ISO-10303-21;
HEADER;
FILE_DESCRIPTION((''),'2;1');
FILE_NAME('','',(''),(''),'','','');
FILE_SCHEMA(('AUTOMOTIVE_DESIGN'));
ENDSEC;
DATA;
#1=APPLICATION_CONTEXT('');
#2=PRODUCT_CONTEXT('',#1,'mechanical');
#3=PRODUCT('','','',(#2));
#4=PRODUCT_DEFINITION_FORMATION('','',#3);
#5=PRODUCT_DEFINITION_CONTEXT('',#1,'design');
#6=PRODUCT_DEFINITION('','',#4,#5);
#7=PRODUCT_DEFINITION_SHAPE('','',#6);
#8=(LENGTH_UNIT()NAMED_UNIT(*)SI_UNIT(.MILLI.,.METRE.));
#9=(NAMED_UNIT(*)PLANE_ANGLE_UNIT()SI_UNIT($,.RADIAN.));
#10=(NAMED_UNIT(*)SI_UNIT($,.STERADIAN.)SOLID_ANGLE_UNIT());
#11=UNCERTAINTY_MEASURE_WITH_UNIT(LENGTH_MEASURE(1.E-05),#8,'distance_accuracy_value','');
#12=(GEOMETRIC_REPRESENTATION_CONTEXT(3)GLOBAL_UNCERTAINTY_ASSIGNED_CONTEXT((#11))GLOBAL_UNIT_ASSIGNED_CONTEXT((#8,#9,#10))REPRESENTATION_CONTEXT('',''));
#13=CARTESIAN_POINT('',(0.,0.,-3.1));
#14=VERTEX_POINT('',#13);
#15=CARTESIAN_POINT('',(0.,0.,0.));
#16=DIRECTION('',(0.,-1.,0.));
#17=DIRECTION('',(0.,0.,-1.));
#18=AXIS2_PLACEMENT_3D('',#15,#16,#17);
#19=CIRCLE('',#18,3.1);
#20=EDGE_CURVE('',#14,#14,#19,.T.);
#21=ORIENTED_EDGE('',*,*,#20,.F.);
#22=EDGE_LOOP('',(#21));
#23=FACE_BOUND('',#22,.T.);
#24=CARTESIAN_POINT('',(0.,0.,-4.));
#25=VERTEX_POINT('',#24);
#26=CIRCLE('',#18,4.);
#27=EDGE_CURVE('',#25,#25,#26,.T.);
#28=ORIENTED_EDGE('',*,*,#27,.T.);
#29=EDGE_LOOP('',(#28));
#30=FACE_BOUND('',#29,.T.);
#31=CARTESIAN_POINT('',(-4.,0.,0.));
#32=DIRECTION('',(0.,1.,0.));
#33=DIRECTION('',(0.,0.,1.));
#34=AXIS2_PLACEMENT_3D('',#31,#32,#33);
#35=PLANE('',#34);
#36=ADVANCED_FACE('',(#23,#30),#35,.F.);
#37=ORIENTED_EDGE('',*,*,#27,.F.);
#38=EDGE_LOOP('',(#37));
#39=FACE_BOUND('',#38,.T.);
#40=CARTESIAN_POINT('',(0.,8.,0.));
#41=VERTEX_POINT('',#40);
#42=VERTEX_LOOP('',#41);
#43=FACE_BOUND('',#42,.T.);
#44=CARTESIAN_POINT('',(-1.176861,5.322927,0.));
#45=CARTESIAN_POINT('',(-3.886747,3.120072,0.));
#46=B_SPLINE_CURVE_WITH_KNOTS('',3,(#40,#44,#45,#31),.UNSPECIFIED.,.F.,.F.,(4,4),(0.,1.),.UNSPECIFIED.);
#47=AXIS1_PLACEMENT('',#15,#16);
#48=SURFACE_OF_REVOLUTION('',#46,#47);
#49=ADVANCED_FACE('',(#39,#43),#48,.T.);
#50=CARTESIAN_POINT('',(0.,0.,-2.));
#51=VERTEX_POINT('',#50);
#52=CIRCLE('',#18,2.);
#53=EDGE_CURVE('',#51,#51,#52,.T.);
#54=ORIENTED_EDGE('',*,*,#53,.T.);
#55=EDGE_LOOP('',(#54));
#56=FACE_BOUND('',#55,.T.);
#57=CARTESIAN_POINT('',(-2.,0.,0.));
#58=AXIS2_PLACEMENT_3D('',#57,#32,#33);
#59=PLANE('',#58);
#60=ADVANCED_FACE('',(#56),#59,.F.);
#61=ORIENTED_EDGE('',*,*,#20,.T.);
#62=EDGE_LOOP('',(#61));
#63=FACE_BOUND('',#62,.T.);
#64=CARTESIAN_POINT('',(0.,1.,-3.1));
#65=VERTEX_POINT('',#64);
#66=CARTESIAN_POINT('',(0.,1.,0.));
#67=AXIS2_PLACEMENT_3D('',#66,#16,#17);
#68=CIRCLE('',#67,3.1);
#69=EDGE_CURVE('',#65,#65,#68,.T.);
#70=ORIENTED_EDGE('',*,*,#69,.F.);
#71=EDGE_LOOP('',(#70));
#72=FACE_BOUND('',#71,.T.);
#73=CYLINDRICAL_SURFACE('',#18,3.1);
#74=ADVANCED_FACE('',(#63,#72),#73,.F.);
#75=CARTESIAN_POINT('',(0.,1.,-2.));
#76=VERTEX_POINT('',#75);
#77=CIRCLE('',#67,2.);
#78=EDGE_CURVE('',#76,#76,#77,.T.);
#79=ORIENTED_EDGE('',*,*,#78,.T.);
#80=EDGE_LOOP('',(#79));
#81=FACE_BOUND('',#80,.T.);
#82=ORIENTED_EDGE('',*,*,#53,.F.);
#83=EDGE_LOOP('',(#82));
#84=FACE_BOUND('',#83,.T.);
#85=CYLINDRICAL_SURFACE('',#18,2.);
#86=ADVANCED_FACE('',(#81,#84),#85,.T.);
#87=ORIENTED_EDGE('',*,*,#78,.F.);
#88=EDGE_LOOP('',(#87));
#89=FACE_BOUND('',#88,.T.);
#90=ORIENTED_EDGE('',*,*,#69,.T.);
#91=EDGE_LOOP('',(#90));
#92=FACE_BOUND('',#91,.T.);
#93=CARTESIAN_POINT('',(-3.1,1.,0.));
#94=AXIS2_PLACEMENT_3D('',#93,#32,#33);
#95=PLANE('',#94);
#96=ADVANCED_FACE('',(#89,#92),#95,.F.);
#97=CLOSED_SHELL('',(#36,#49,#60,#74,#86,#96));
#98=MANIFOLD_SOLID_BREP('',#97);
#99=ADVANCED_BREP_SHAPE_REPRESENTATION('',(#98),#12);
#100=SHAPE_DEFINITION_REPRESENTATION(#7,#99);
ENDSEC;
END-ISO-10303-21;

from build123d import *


with BuildPart() as part:
    # Sketch1 → Revolve1 (revolve)
    with BuildSketch(Plane.XY, mode=Mode.PRIVATE) as revolve1_sk:
        with BuildLine():
            Line((-4, 0), (-3.1, 0))
            Line((-3.1, 0), (-3.1, 1))
            Line((-3.1, 1), (-2, 1))
            Line((-2, 1), (-2, 0))
            Line((-2, 0), (0, 0))
            Line((0, 0), (0, 8))
            add(Edge.make_bspline(
                [(-4, 0), (-3.886746614, 3.120071897), (-1.176860552, 5.322927223), (0, 8)],
                knots=[0, 0, 0, 0, 1, 1, 1, 1], degree=3))
        make_face()
    revolve(revolve1_sk.sketch.rotate(Axis((0, 0, 0), (0, 1, 0)), 270), axis=Axis((0, 0, 0), (0, 1, 0)))


solid = part.part
